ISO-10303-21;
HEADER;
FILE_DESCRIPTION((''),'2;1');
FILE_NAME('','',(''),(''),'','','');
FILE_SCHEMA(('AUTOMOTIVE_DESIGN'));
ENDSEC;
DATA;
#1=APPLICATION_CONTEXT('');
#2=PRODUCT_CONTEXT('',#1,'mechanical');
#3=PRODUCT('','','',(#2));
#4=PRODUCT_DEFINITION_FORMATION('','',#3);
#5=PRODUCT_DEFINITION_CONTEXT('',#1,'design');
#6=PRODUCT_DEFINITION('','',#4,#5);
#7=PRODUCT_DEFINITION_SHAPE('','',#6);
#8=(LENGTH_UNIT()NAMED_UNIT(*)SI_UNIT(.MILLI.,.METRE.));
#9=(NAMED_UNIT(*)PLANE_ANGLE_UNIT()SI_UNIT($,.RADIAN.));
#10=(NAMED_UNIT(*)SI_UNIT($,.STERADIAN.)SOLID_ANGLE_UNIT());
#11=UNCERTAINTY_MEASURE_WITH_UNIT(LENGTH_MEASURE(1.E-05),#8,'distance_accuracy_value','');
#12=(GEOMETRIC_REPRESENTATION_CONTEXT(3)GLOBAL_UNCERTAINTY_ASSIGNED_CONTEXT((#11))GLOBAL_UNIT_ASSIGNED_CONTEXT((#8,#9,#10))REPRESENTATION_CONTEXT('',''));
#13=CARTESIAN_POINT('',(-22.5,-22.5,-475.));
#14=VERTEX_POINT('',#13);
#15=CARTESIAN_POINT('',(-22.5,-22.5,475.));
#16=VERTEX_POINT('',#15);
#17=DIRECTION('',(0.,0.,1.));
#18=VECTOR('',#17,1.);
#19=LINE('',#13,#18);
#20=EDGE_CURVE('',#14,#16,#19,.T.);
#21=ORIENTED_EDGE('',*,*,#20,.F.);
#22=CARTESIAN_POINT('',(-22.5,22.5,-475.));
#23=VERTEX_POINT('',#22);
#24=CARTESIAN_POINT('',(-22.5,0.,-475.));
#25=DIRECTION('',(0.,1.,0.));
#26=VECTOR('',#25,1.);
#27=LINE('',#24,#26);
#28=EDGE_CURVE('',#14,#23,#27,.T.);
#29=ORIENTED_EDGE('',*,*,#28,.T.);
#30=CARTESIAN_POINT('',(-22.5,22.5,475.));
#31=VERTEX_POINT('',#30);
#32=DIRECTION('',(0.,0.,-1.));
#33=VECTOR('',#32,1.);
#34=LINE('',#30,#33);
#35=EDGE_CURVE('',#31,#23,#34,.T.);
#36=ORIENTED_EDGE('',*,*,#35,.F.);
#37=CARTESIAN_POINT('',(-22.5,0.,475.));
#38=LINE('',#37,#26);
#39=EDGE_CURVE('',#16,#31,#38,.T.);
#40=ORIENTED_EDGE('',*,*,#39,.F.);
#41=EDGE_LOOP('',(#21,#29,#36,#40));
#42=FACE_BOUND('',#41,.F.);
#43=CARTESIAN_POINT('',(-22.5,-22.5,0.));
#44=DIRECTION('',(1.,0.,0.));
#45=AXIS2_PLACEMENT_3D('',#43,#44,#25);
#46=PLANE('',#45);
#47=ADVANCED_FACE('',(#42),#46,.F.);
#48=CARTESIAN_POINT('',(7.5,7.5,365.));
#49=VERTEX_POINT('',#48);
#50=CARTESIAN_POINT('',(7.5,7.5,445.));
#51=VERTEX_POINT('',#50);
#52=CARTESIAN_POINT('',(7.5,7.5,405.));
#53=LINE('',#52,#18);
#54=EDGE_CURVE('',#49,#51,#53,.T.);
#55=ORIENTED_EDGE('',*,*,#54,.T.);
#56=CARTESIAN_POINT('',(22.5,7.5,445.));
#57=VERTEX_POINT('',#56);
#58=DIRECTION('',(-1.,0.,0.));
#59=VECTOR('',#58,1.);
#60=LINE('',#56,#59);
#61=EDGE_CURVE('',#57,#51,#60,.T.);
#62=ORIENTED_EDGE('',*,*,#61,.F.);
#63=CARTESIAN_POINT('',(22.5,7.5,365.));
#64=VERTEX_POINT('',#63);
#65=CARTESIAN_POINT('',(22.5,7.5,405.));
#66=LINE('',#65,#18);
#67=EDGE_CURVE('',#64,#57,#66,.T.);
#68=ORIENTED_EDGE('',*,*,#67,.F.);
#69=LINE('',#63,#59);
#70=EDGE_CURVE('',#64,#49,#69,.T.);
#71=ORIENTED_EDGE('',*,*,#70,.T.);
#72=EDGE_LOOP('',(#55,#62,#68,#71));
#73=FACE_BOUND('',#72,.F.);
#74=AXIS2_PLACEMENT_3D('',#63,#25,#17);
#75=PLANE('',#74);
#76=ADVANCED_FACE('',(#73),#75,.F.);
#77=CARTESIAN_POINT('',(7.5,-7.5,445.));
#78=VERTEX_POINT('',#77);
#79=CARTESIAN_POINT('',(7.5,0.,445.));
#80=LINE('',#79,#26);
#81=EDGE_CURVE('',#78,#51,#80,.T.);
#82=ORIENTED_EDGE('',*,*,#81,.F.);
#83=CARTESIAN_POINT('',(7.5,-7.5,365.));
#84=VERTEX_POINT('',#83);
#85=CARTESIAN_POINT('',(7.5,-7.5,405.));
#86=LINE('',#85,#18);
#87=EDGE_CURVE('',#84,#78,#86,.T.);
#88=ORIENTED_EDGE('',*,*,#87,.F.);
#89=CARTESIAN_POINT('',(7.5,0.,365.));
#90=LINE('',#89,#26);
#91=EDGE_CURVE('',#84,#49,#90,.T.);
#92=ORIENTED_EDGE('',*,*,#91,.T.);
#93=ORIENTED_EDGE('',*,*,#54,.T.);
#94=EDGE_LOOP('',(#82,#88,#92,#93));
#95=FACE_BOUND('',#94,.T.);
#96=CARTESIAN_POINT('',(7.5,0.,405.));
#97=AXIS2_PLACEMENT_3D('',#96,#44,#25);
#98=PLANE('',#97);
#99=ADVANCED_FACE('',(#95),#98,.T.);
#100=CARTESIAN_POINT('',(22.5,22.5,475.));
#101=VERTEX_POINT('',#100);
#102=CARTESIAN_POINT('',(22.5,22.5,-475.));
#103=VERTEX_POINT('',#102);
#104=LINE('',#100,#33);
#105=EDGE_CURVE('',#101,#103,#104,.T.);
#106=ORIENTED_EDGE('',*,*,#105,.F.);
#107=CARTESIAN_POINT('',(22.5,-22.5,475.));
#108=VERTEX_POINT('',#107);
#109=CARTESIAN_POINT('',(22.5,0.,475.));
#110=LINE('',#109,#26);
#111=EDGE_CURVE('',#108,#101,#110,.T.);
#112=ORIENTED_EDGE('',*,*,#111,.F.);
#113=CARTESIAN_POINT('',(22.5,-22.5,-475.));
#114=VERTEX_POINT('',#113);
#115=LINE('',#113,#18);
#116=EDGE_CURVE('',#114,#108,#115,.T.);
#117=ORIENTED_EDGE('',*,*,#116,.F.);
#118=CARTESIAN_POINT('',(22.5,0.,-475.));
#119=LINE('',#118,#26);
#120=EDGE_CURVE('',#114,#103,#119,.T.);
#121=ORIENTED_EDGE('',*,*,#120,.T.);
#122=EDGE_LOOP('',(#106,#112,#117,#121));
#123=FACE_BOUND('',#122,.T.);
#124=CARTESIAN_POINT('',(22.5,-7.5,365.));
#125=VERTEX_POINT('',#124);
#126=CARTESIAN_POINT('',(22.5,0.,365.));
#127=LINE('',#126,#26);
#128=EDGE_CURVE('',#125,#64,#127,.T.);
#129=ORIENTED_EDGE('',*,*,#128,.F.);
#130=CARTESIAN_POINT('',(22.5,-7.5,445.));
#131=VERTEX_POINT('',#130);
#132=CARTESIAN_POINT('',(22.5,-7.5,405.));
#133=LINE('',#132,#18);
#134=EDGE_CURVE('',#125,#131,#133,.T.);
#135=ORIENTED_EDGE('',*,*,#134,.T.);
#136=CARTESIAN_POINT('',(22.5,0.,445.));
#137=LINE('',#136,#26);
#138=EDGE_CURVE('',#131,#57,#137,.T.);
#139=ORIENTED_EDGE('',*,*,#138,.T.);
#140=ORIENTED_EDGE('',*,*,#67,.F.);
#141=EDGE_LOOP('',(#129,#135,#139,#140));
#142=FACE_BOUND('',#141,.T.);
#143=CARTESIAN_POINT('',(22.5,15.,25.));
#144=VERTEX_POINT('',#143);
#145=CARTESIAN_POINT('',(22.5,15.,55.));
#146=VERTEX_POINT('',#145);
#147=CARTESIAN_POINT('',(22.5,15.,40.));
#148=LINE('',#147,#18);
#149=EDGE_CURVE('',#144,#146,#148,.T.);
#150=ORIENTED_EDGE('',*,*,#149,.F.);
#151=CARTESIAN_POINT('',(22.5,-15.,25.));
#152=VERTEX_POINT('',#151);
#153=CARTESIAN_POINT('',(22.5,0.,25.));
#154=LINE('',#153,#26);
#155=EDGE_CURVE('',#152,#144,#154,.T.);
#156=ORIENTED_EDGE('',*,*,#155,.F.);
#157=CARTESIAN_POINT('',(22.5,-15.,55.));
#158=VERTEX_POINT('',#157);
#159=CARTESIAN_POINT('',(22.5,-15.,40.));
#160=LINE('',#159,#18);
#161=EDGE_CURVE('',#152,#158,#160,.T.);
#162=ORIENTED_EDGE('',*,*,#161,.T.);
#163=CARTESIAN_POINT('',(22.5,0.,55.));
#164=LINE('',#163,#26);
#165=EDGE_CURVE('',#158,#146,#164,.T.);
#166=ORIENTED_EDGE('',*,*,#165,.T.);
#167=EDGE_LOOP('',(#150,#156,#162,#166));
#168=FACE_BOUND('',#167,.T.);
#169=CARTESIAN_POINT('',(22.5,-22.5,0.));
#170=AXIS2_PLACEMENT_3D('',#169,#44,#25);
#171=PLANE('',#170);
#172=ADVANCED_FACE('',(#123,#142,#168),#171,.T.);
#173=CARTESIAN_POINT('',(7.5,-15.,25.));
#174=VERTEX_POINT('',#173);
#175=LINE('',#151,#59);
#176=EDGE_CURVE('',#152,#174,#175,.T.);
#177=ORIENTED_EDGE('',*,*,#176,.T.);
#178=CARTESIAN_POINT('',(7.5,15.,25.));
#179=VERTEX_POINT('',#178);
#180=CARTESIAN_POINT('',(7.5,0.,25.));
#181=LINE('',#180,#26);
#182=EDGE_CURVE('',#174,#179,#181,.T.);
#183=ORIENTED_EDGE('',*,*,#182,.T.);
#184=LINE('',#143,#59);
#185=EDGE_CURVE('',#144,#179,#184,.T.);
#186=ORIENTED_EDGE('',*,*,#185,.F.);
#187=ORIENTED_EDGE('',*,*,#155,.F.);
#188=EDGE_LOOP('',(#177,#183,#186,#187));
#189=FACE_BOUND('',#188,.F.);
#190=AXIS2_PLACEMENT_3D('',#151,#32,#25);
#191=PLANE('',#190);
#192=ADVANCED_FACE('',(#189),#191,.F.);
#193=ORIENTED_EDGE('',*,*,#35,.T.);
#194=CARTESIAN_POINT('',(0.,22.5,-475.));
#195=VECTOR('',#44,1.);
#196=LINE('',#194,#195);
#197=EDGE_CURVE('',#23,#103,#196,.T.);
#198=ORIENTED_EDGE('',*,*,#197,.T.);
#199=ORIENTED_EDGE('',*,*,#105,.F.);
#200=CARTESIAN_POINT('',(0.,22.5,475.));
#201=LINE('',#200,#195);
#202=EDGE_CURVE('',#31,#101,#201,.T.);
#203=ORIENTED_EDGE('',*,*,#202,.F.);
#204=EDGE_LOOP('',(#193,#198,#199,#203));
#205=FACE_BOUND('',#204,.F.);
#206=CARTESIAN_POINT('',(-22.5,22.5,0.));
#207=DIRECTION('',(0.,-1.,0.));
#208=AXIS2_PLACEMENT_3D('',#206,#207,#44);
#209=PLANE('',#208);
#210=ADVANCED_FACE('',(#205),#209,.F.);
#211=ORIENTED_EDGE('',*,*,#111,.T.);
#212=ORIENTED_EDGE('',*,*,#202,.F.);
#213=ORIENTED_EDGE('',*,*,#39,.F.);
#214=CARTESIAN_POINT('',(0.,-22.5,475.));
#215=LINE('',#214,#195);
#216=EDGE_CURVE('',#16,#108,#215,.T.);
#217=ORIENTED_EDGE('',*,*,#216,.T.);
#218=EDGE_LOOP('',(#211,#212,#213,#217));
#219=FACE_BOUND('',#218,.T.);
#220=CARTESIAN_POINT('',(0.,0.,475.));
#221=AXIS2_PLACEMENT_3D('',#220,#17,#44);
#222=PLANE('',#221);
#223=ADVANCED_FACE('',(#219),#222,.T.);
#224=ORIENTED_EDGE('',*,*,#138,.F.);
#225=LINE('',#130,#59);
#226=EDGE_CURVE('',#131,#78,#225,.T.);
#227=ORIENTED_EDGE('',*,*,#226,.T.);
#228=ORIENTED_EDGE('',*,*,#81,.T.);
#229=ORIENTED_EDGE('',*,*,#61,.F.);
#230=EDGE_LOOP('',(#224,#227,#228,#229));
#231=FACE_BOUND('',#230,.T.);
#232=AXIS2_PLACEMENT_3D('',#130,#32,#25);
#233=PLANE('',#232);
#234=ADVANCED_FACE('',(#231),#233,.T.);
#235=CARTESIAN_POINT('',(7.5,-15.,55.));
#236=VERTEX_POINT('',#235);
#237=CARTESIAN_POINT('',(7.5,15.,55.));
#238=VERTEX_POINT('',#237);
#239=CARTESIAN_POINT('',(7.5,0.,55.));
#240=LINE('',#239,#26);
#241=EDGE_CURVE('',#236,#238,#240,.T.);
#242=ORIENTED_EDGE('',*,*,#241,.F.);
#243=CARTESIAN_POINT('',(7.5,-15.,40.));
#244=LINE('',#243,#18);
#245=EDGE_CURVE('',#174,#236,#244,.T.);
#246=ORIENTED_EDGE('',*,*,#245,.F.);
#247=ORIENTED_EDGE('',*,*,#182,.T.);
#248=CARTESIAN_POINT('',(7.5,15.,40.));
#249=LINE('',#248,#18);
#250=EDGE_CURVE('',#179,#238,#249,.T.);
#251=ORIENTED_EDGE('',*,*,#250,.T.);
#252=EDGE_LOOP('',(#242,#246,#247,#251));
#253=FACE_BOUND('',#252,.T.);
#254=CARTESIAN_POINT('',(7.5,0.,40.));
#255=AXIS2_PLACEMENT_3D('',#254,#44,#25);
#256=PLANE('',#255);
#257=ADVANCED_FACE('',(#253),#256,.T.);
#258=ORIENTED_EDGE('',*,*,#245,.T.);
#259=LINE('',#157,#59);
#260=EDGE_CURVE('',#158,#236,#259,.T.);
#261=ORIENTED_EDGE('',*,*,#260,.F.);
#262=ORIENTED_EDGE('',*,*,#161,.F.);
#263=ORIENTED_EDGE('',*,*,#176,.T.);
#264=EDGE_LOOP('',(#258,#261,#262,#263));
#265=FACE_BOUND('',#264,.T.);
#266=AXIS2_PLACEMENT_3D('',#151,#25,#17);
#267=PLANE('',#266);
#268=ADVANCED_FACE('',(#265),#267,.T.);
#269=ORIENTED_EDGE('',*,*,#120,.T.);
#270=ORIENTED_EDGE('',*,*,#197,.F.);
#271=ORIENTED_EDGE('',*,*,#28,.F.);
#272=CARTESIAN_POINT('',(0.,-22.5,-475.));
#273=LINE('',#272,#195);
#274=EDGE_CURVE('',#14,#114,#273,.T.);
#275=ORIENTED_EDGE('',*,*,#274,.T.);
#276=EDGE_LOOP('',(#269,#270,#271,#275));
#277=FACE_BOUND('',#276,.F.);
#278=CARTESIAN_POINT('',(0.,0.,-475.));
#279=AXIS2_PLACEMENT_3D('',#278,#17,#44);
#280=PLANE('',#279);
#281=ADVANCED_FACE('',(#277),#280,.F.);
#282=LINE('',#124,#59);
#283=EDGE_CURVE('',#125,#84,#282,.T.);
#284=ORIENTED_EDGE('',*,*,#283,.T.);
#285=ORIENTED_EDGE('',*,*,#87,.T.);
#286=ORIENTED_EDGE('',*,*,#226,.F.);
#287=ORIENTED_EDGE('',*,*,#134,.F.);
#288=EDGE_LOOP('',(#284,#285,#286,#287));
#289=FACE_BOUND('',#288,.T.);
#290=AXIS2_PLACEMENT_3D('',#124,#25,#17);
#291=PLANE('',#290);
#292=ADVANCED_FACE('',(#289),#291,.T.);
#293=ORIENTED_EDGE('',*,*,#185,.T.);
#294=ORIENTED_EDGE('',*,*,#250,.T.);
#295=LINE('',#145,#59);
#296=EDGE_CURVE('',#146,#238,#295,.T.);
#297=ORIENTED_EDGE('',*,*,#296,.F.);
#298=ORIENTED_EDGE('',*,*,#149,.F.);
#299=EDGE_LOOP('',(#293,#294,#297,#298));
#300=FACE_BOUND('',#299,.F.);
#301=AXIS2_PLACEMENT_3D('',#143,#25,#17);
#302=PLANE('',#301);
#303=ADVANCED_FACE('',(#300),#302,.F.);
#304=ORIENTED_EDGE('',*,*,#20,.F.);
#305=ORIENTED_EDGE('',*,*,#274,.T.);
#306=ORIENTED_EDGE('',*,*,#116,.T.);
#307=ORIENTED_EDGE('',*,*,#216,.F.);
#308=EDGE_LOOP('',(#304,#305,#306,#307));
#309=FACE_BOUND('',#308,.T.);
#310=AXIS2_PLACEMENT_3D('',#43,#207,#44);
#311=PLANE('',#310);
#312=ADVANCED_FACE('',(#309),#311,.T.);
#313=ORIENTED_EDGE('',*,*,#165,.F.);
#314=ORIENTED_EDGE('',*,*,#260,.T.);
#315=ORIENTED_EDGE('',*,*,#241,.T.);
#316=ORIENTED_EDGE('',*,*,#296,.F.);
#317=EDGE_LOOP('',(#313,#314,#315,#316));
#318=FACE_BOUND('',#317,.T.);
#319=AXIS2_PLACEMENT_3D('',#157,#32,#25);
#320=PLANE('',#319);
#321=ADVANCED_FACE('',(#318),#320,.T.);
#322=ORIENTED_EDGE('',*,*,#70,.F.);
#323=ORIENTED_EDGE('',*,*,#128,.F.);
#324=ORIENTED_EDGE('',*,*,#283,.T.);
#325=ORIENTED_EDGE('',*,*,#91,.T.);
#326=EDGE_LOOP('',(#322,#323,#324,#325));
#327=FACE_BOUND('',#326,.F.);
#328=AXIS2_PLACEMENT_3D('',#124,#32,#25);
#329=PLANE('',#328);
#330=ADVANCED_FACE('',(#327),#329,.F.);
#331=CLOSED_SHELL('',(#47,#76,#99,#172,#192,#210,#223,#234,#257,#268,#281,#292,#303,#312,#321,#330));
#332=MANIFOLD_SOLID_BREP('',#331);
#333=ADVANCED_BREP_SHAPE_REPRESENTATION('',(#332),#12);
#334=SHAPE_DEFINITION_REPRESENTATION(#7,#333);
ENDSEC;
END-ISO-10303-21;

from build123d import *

# Parameters (mm, degrees)
F0_W     = 45
F0_H     = 45
F1_DEPTH = 475
F2_W     = 15
F2_H     = 80
F2_W_2   = 30
F2_H_2   = 30
F3_DEPTH = 15


with BuildPart() as f1:
    # F0 (on Top) → F1 (new body, symmetric)
    with BuildSketch(Plane.XY):
        Rectangle(F0_W, F0_H)
    extrude(amount=F1_DEPTH, both=True)

    # F2 (on face) → F3 (cut)
    with BuildSketch(Plane.YZ.offset(22.5)):
        with Locations((0, 405)):
            Rectangle(F2_W, F2_H)
        with Locations((0, 40)):
            Rectangle(F2_W_2, F2_H_2)
    extrude(amount=-F3_DEPTH, mode=Mode.SUBTRACT)


solid = f1.part
